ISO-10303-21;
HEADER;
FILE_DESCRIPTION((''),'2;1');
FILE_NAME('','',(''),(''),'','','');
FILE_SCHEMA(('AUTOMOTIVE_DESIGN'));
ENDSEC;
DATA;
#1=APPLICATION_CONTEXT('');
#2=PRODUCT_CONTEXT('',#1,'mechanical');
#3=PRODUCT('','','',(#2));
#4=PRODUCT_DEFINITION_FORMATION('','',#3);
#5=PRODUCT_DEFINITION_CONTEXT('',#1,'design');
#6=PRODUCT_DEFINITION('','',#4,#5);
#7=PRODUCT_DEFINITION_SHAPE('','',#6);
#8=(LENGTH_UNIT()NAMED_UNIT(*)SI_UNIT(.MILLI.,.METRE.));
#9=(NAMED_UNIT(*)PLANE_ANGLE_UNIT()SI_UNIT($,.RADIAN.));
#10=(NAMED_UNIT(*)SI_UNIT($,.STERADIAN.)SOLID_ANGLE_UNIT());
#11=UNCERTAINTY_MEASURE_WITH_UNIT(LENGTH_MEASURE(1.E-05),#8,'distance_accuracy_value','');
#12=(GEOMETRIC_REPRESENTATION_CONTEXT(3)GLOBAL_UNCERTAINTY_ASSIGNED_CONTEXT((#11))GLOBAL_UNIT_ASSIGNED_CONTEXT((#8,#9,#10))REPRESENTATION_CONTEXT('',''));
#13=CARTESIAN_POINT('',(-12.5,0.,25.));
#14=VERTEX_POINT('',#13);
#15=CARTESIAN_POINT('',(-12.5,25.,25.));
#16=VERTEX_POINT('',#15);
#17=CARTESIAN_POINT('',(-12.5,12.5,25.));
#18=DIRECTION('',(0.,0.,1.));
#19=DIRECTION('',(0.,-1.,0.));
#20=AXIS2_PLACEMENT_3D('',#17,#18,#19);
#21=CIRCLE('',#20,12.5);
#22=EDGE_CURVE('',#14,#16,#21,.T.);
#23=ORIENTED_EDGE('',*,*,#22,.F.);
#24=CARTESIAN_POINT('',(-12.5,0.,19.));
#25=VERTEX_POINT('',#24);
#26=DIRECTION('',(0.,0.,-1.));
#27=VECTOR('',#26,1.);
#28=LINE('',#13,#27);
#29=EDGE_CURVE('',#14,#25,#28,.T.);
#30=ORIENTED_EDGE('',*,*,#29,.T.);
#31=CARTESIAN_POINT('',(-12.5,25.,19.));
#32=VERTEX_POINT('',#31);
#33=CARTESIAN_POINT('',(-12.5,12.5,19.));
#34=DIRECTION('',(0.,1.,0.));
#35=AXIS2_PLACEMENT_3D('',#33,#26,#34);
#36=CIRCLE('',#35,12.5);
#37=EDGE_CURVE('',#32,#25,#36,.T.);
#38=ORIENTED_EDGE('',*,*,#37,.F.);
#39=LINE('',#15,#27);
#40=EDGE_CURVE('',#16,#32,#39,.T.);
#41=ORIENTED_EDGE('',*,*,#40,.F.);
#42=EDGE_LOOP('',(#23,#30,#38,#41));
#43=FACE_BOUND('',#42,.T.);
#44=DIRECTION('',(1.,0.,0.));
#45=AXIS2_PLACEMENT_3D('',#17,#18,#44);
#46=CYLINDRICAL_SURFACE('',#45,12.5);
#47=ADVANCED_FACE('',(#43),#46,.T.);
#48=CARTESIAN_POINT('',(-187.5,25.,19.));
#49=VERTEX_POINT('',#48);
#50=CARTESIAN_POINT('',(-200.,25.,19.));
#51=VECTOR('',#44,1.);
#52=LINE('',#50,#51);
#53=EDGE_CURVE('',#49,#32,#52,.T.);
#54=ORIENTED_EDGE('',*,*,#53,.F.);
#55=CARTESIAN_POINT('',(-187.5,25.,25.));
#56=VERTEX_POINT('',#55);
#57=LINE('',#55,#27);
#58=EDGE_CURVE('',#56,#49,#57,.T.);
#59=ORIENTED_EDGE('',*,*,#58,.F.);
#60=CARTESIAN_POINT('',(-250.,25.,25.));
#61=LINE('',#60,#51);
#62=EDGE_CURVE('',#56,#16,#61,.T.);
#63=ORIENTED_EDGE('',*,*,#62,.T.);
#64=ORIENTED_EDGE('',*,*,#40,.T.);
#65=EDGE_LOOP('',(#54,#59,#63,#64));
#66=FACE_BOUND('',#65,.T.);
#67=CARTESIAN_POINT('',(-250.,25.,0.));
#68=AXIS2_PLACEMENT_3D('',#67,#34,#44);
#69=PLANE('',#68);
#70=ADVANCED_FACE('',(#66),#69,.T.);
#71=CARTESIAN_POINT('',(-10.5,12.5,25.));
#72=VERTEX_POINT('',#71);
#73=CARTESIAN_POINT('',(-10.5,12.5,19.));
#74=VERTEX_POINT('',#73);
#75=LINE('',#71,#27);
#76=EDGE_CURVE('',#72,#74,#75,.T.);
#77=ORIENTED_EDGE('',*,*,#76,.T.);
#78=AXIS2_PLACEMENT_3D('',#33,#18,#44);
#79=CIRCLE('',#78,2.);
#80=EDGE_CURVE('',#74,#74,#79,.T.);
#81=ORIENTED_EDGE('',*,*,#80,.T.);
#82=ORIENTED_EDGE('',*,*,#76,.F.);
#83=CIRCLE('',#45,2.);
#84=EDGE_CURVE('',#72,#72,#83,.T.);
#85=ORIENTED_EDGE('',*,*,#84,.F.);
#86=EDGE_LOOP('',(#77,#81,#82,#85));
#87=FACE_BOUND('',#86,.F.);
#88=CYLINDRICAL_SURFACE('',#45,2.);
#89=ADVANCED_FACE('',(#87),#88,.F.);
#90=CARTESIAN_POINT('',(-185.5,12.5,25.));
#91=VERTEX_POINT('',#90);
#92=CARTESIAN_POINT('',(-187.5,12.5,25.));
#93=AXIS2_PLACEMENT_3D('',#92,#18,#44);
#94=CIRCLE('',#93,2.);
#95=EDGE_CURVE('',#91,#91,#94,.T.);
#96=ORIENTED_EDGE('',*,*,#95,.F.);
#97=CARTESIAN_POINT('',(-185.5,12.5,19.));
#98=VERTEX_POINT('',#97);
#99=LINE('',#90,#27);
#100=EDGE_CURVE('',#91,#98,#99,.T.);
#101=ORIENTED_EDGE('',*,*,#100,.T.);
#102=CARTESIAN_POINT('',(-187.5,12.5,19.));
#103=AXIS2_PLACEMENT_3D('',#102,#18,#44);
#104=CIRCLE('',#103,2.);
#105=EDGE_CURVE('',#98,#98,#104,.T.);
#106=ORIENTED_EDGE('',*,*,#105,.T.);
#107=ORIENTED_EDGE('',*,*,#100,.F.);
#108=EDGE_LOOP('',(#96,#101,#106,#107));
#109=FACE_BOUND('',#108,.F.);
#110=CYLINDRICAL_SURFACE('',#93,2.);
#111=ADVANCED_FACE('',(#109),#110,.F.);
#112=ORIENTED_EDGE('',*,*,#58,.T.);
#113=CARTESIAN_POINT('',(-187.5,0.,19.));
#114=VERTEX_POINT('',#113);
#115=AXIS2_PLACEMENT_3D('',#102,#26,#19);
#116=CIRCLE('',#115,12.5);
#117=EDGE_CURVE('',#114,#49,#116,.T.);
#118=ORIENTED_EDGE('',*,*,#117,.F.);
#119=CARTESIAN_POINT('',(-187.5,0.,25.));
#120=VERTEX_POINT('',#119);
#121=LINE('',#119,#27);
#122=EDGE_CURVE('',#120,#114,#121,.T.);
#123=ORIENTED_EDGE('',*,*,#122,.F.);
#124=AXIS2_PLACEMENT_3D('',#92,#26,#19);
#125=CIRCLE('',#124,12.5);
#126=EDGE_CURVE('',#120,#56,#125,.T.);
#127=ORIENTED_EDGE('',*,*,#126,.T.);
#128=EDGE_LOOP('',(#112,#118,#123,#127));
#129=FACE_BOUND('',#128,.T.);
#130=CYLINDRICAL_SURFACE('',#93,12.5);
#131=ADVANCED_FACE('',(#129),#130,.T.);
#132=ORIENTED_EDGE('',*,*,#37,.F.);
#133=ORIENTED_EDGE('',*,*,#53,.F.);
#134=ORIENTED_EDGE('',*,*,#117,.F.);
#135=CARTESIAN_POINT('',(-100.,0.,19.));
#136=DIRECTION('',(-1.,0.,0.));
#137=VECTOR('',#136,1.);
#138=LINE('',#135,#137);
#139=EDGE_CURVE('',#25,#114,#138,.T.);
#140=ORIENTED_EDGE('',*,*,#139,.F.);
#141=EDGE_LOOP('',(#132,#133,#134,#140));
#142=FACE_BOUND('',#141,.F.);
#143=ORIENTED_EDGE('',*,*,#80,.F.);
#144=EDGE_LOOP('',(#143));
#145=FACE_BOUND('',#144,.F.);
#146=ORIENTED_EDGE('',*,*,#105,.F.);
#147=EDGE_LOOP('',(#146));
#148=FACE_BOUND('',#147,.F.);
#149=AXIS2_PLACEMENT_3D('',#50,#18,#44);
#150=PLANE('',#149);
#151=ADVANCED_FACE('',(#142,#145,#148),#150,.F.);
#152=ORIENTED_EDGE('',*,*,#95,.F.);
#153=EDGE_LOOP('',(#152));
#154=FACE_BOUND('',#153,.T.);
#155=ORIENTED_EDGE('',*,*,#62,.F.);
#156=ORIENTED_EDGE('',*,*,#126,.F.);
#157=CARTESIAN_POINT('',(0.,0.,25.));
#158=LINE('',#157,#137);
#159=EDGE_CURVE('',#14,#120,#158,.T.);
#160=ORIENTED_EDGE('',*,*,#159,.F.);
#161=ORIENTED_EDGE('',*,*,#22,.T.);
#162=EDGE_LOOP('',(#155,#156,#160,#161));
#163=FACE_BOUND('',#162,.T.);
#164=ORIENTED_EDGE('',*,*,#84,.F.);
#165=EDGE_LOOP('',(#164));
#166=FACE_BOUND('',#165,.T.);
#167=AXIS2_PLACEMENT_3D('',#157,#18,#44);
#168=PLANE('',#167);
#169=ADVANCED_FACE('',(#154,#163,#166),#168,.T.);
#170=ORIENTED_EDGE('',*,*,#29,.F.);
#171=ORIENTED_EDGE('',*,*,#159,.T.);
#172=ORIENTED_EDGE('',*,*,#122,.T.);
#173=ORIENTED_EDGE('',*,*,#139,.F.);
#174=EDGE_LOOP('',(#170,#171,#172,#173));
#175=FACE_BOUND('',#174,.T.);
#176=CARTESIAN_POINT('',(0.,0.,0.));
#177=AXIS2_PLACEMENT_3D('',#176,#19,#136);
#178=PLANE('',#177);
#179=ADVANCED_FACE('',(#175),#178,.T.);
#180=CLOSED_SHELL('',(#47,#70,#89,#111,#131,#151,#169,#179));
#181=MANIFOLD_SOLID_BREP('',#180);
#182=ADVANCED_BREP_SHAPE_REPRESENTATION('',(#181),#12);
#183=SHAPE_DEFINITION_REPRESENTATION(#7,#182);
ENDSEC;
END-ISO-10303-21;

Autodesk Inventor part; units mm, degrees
ref_plane "YZ Plane" through (0, 0, 0) normal (1, 0, 0) x (0, 1, 0)
ref_plane "XZ Plane" through (0, 0, 0) normal (0, 1, 0) x (-1, 0, 0)
ref_plane "XY Plane" through (0, 0, 0) normal (0, 0, 1) x (1, 0, 0)
sketch "Sketch1" plane through (0, 0, 0) normal (0, 0, 1) x (1, 0, 0)
  line L0 (0, 0) -> (-250, 0)
  line L1 (-250, 0) -> (-250, 25)
  line L2 (-250, 25) -> (0, 25)
  line L3 (0, 25) -> (0, 0)
  dimension "d0" = 250
  dimension "d1" = 25
extrude "Extrusion1" add sketch "Sketch1" along normal blind 25
sketch "Sketch3" plane through (0, 0, 25) normal (0, 0, 1) x (1, 0, 0)
  line L0 (0, 25) -> (-250, 25) projected
  line L1 (-250, 0) -> (0, 0) projected
  line L2 (-250, 25) -> (-200, 25)
  line L3 (-200, 25) -> (-200, 0)
  line L4 (-200, 0) -> (-250, 0)
  line L5 (-250, 0) -> (-250, 25)
  dimension "d13" = 50
extrude "Extrusion3" cut sketch "Sketch3" against normal blind 25
sketch "Sketch4" plane through (0, 0, 25) normal (0, 0, 1) x (1, 0, 0)
  circle A0 centre (-187.5, 12.5) radius 12.5
  line L0 (-200, 0) -> (0, 0) projected
  line L1 (-200, 25) -> (-200, 0) projected
  circle A1 centre (-187.5, 12.5) radius 2
  circle A2 centre (-12.5, 12.5) radius 12.5
  line L2 (0, 0) -> (0, 25) projected
  circle A3 centre (-12.5, 12.5) radius 2
  line L3 (0, 25) -> (-200, 25) projected
  point P0 (-12.5, 25)
  point P1 (0, 12.5)
  point P2 (-12.5, 0)
  point P3 (-187.5, 25)
  point P4 (-200, 12.5)
  point P5 (-187.5, 0)
  dimension "d16" = 25
  dimension "d17" = 12.5
  dimension "d18" = 12.5
  dimension "d19" = 4
  dimension "d20" = 25
  dimension "d21" = 12.5
  dimension "d22" = 12.5
  dimension "d23" = 4
extrude "Extrusion4" cut sketch "Sketch4" against normal blind 25 contours A0 L1 L3 | L0 L1 A0 | L3 L2 A2 | A2 L2 L0 | A1 | A3
sketch "Sketch5" plane through (-187.5, 25, 0) normal (0, 1, 0) x (1, 0, 0)
  line L0 (-12.5, 0) -> (-12.5, -25) projected
  line L1 (187.5, 0) -> (-12.5, 0)
  line L2 (-12.5, 0) -> (-12.5, -19)
  line L3 (-12.5, -19) -> (187.5, -19)
  line L4 (187.5, -19) -> (187.5, 0)
  dimension "d26" = 19
extrude "Extrusion5" cut sketch "Sketch5" against normal blind 100
properties part number "Horizontal"
